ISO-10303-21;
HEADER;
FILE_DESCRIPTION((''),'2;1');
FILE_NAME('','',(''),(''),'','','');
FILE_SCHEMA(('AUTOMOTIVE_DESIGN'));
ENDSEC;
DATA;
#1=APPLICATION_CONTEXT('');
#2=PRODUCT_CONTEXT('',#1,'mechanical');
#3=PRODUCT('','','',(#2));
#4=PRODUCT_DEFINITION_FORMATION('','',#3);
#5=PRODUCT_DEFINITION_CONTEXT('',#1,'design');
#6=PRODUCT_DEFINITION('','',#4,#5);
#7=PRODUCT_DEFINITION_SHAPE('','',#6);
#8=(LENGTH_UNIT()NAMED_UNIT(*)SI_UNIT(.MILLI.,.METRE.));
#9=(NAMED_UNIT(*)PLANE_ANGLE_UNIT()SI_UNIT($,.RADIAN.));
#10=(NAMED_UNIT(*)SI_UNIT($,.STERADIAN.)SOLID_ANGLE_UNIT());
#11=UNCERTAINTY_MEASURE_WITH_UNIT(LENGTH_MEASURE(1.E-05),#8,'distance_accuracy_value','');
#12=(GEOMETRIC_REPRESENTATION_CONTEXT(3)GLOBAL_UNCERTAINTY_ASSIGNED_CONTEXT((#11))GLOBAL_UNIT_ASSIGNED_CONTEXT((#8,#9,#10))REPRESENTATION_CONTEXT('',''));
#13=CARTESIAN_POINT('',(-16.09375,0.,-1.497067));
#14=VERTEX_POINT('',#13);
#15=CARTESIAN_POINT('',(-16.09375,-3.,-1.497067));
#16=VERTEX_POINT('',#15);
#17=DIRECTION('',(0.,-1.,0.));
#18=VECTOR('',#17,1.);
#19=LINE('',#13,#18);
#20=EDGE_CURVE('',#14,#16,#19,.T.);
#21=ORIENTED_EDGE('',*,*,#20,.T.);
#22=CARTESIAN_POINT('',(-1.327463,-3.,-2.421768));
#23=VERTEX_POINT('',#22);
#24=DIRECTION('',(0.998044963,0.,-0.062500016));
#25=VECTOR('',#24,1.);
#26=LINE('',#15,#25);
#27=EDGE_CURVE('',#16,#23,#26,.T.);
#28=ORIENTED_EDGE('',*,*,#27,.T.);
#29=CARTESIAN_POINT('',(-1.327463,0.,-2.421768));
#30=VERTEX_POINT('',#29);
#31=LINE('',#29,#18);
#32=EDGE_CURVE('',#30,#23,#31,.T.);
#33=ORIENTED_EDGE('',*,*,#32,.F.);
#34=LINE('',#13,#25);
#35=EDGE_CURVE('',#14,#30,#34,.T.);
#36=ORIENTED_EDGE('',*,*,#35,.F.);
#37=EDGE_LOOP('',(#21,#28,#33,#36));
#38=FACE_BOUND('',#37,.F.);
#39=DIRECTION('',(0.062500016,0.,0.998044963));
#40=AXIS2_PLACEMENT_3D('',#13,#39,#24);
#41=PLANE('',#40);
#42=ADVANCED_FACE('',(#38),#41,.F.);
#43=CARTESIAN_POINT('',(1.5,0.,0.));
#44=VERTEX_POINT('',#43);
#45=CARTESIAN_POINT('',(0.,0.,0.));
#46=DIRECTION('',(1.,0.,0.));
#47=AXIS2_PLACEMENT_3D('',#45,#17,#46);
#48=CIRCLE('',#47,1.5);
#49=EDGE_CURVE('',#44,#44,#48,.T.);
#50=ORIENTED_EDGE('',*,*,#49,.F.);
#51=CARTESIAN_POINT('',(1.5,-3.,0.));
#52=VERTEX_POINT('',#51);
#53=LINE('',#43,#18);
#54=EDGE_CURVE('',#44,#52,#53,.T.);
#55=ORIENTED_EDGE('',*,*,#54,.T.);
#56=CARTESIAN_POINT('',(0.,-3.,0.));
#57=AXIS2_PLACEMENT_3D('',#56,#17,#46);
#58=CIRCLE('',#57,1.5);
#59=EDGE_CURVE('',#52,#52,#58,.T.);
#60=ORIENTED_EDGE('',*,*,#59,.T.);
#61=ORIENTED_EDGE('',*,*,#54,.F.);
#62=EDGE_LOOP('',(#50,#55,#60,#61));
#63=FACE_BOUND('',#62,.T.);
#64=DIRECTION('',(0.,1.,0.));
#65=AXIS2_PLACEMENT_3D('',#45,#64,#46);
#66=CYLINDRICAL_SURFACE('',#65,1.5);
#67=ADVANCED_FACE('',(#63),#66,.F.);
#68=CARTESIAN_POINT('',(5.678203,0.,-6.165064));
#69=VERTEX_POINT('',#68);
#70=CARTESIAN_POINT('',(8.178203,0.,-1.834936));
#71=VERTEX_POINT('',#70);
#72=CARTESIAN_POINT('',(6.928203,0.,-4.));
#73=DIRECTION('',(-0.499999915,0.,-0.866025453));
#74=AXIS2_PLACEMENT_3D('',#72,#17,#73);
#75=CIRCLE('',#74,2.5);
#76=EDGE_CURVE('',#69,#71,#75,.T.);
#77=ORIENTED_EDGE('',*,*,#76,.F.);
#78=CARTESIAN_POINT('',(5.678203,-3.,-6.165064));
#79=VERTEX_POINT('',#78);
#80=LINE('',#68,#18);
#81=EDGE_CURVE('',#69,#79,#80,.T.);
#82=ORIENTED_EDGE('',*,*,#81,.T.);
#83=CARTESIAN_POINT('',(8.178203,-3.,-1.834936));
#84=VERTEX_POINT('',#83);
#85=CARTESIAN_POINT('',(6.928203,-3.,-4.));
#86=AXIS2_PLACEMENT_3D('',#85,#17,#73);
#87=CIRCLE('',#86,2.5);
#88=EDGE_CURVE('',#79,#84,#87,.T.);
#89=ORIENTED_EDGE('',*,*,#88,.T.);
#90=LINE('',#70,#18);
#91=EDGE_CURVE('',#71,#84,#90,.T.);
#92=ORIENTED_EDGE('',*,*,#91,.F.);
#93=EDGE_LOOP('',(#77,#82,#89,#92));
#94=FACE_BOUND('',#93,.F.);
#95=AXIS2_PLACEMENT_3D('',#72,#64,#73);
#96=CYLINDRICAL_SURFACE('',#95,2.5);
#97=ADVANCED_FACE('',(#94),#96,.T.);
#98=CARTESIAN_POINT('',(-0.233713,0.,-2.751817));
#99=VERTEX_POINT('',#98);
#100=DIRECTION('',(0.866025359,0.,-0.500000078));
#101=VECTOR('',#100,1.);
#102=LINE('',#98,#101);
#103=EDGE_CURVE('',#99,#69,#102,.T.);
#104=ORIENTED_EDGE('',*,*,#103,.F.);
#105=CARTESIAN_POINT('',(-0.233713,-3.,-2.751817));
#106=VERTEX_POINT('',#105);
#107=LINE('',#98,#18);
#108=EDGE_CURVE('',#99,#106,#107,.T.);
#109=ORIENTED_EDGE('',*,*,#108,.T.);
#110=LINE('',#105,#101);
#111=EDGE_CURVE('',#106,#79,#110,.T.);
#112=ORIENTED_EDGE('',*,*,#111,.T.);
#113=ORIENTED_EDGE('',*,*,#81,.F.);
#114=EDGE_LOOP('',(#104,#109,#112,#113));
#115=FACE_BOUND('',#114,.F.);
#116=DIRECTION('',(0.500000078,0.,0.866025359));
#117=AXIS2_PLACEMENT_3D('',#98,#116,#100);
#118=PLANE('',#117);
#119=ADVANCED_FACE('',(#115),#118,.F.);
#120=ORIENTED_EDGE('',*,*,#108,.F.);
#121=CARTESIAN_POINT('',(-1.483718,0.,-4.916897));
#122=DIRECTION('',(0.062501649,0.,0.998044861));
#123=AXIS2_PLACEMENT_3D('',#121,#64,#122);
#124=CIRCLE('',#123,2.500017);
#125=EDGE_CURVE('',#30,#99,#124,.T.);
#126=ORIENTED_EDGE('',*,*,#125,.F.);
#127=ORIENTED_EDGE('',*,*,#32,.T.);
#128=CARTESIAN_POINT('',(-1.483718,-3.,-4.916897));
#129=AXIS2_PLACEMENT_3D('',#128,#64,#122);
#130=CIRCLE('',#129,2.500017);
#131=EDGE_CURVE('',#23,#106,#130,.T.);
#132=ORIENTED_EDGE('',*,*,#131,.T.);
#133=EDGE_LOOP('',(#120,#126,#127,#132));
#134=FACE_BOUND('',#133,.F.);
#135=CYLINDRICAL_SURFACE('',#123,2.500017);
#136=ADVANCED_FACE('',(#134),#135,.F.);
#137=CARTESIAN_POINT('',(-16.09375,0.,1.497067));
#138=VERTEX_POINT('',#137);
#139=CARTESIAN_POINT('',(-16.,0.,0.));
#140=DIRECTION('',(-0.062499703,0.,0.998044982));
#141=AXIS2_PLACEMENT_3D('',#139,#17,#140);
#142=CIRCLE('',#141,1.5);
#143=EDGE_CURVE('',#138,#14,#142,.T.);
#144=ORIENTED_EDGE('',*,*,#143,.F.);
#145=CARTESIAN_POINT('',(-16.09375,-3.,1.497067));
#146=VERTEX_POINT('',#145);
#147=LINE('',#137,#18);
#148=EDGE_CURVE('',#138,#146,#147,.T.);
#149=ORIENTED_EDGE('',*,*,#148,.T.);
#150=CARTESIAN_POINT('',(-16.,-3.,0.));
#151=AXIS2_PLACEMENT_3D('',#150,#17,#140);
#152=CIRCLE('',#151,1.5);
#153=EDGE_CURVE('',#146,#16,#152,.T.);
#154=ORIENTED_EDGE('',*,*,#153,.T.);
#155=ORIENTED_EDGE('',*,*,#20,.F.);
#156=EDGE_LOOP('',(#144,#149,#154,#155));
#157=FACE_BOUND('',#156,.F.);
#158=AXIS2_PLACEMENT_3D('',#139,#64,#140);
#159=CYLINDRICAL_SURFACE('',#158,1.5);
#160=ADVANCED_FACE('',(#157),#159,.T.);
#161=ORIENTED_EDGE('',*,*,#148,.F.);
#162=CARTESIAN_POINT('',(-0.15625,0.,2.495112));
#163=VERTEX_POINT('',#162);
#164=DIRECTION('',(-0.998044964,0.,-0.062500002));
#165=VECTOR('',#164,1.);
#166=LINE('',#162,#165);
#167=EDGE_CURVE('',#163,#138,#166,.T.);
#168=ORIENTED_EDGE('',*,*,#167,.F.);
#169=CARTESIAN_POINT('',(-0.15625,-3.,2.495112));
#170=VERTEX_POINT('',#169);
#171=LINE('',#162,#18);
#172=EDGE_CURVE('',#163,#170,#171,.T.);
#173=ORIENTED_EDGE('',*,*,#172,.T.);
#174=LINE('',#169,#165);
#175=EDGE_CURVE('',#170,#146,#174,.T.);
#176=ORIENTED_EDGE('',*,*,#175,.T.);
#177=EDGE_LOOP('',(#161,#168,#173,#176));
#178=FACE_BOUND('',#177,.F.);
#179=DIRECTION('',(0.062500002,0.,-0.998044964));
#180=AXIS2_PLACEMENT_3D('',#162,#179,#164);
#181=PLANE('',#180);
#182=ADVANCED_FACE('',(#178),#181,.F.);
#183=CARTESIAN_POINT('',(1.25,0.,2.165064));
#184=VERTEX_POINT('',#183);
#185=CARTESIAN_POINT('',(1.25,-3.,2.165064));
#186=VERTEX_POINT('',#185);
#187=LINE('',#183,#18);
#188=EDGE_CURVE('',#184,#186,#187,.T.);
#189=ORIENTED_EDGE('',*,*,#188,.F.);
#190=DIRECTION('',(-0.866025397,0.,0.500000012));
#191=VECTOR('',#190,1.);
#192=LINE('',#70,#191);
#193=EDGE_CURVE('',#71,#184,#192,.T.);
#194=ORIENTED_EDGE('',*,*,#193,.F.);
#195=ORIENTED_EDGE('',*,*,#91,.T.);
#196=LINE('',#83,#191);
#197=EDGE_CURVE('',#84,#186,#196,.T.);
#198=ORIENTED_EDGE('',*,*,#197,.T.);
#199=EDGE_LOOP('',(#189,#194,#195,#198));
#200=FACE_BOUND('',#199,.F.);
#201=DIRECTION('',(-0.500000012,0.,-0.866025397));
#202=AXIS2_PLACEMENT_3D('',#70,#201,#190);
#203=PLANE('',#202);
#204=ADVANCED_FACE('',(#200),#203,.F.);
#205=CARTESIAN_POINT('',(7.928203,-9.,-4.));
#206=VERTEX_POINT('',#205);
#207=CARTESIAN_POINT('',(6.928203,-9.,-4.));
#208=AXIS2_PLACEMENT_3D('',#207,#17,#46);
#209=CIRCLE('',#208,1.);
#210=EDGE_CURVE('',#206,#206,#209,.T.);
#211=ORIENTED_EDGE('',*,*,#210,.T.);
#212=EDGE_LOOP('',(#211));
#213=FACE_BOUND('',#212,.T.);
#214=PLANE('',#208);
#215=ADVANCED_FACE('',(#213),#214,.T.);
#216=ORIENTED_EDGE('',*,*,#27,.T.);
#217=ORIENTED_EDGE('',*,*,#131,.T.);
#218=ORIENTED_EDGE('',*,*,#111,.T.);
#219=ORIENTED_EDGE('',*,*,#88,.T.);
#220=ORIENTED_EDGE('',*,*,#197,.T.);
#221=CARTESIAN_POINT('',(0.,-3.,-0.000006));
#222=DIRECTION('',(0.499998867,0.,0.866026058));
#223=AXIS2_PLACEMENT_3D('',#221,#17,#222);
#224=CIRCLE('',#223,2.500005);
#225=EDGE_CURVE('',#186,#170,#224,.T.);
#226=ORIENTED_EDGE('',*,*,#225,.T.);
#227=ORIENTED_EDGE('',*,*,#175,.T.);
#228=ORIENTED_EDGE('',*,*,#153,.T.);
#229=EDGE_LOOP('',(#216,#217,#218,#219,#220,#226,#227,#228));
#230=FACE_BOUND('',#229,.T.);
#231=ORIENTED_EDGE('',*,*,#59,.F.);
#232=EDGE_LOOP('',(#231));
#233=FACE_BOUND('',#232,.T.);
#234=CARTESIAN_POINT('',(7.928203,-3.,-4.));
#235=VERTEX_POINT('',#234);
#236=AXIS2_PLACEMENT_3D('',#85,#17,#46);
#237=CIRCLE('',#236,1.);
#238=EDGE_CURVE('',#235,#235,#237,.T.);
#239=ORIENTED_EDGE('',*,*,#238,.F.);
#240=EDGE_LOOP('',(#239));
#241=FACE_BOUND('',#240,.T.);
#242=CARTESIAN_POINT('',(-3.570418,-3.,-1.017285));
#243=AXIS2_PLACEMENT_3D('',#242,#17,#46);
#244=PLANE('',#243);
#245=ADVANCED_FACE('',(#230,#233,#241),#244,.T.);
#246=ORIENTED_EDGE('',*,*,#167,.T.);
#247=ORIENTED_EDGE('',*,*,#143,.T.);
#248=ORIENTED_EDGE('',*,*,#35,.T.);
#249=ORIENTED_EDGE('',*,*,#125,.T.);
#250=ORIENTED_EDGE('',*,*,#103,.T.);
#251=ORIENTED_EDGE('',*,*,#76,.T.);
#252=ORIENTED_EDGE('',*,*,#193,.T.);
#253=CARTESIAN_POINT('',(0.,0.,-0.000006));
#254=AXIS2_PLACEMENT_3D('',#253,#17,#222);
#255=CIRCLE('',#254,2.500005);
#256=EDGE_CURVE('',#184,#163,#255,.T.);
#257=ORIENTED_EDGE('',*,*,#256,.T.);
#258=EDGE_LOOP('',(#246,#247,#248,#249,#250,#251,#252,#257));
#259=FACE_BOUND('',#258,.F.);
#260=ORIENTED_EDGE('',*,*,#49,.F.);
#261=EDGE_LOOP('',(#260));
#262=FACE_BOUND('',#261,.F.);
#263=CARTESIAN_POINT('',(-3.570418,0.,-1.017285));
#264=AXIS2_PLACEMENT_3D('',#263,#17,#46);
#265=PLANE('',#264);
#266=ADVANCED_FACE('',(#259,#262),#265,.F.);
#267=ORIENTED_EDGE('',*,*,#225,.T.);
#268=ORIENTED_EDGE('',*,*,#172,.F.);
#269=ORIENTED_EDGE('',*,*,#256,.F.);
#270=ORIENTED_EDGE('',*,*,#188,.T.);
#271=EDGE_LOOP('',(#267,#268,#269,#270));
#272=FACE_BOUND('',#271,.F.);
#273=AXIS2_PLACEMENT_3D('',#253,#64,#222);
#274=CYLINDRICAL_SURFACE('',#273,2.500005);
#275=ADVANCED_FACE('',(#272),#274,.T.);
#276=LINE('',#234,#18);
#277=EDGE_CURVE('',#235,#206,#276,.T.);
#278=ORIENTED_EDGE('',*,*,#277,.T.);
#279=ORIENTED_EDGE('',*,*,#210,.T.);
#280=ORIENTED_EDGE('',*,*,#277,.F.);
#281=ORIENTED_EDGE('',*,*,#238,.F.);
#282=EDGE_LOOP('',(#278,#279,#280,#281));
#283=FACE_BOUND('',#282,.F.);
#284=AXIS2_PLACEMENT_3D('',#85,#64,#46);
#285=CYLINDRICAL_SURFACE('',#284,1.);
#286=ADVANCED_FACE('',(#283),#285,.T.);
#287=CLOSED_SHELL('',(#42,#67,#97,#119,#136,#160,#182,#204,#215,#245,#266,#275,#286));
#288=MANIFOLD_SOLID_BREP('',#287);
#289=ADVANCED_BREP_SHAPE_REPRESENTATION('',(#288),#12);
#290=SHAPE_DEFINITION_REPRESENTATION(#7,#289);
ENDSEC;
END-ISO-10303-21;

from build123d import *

# Parameters (mm, degrees)
F0_R     = 1.5
F1_DEPTH = 3
F2_R     = 1
F3_DEPTH = 6


with BuildPart() as f1:
    # F0 (on Front) → F1 (new body)
    with BuildSketch(Plane.XZ):
        with BuildLine():
            Line((8.178203, -1.834936), (1.25, 2.165064))
            ThreePointArc((1.25, 2.165064), (0.571231, 2.433864), (-0.15625, 2.495112))
            Line((-0.15625, 2.495112), (-16.09375, 1.497067))
            ThreePointArc((-16.09375, 1.497067), (-17.5, 0), (-16.09375, -1.497067))
            Line((-16.09375, -1.497067), (-1.327463, -2.421768))
            ThreePointArc((-1.327463, -2.421768), (-0.761482, -2.523477), (-0.233713, -2.751817))
            Line((-0.233713, -2.751817), (5.678203, -6.165064))
            ThreePointArc((5.678203, -6.165064), (9.093267, -5.25), (8.178203, -1.834936))
        make_face()
        Circle(F0_R, mode=Mode.SUBTRACT)
    extrude(amount=F1_DEPTH)

    # F2 (on face) → F3 (join)
    with BuildSketch(Plane.XZ.offset(3)):
        with Locations((6.928203, -4)):
            Circle(F2_R)
    extrude(amount=F3_DEPTH)


solid = f1.part
